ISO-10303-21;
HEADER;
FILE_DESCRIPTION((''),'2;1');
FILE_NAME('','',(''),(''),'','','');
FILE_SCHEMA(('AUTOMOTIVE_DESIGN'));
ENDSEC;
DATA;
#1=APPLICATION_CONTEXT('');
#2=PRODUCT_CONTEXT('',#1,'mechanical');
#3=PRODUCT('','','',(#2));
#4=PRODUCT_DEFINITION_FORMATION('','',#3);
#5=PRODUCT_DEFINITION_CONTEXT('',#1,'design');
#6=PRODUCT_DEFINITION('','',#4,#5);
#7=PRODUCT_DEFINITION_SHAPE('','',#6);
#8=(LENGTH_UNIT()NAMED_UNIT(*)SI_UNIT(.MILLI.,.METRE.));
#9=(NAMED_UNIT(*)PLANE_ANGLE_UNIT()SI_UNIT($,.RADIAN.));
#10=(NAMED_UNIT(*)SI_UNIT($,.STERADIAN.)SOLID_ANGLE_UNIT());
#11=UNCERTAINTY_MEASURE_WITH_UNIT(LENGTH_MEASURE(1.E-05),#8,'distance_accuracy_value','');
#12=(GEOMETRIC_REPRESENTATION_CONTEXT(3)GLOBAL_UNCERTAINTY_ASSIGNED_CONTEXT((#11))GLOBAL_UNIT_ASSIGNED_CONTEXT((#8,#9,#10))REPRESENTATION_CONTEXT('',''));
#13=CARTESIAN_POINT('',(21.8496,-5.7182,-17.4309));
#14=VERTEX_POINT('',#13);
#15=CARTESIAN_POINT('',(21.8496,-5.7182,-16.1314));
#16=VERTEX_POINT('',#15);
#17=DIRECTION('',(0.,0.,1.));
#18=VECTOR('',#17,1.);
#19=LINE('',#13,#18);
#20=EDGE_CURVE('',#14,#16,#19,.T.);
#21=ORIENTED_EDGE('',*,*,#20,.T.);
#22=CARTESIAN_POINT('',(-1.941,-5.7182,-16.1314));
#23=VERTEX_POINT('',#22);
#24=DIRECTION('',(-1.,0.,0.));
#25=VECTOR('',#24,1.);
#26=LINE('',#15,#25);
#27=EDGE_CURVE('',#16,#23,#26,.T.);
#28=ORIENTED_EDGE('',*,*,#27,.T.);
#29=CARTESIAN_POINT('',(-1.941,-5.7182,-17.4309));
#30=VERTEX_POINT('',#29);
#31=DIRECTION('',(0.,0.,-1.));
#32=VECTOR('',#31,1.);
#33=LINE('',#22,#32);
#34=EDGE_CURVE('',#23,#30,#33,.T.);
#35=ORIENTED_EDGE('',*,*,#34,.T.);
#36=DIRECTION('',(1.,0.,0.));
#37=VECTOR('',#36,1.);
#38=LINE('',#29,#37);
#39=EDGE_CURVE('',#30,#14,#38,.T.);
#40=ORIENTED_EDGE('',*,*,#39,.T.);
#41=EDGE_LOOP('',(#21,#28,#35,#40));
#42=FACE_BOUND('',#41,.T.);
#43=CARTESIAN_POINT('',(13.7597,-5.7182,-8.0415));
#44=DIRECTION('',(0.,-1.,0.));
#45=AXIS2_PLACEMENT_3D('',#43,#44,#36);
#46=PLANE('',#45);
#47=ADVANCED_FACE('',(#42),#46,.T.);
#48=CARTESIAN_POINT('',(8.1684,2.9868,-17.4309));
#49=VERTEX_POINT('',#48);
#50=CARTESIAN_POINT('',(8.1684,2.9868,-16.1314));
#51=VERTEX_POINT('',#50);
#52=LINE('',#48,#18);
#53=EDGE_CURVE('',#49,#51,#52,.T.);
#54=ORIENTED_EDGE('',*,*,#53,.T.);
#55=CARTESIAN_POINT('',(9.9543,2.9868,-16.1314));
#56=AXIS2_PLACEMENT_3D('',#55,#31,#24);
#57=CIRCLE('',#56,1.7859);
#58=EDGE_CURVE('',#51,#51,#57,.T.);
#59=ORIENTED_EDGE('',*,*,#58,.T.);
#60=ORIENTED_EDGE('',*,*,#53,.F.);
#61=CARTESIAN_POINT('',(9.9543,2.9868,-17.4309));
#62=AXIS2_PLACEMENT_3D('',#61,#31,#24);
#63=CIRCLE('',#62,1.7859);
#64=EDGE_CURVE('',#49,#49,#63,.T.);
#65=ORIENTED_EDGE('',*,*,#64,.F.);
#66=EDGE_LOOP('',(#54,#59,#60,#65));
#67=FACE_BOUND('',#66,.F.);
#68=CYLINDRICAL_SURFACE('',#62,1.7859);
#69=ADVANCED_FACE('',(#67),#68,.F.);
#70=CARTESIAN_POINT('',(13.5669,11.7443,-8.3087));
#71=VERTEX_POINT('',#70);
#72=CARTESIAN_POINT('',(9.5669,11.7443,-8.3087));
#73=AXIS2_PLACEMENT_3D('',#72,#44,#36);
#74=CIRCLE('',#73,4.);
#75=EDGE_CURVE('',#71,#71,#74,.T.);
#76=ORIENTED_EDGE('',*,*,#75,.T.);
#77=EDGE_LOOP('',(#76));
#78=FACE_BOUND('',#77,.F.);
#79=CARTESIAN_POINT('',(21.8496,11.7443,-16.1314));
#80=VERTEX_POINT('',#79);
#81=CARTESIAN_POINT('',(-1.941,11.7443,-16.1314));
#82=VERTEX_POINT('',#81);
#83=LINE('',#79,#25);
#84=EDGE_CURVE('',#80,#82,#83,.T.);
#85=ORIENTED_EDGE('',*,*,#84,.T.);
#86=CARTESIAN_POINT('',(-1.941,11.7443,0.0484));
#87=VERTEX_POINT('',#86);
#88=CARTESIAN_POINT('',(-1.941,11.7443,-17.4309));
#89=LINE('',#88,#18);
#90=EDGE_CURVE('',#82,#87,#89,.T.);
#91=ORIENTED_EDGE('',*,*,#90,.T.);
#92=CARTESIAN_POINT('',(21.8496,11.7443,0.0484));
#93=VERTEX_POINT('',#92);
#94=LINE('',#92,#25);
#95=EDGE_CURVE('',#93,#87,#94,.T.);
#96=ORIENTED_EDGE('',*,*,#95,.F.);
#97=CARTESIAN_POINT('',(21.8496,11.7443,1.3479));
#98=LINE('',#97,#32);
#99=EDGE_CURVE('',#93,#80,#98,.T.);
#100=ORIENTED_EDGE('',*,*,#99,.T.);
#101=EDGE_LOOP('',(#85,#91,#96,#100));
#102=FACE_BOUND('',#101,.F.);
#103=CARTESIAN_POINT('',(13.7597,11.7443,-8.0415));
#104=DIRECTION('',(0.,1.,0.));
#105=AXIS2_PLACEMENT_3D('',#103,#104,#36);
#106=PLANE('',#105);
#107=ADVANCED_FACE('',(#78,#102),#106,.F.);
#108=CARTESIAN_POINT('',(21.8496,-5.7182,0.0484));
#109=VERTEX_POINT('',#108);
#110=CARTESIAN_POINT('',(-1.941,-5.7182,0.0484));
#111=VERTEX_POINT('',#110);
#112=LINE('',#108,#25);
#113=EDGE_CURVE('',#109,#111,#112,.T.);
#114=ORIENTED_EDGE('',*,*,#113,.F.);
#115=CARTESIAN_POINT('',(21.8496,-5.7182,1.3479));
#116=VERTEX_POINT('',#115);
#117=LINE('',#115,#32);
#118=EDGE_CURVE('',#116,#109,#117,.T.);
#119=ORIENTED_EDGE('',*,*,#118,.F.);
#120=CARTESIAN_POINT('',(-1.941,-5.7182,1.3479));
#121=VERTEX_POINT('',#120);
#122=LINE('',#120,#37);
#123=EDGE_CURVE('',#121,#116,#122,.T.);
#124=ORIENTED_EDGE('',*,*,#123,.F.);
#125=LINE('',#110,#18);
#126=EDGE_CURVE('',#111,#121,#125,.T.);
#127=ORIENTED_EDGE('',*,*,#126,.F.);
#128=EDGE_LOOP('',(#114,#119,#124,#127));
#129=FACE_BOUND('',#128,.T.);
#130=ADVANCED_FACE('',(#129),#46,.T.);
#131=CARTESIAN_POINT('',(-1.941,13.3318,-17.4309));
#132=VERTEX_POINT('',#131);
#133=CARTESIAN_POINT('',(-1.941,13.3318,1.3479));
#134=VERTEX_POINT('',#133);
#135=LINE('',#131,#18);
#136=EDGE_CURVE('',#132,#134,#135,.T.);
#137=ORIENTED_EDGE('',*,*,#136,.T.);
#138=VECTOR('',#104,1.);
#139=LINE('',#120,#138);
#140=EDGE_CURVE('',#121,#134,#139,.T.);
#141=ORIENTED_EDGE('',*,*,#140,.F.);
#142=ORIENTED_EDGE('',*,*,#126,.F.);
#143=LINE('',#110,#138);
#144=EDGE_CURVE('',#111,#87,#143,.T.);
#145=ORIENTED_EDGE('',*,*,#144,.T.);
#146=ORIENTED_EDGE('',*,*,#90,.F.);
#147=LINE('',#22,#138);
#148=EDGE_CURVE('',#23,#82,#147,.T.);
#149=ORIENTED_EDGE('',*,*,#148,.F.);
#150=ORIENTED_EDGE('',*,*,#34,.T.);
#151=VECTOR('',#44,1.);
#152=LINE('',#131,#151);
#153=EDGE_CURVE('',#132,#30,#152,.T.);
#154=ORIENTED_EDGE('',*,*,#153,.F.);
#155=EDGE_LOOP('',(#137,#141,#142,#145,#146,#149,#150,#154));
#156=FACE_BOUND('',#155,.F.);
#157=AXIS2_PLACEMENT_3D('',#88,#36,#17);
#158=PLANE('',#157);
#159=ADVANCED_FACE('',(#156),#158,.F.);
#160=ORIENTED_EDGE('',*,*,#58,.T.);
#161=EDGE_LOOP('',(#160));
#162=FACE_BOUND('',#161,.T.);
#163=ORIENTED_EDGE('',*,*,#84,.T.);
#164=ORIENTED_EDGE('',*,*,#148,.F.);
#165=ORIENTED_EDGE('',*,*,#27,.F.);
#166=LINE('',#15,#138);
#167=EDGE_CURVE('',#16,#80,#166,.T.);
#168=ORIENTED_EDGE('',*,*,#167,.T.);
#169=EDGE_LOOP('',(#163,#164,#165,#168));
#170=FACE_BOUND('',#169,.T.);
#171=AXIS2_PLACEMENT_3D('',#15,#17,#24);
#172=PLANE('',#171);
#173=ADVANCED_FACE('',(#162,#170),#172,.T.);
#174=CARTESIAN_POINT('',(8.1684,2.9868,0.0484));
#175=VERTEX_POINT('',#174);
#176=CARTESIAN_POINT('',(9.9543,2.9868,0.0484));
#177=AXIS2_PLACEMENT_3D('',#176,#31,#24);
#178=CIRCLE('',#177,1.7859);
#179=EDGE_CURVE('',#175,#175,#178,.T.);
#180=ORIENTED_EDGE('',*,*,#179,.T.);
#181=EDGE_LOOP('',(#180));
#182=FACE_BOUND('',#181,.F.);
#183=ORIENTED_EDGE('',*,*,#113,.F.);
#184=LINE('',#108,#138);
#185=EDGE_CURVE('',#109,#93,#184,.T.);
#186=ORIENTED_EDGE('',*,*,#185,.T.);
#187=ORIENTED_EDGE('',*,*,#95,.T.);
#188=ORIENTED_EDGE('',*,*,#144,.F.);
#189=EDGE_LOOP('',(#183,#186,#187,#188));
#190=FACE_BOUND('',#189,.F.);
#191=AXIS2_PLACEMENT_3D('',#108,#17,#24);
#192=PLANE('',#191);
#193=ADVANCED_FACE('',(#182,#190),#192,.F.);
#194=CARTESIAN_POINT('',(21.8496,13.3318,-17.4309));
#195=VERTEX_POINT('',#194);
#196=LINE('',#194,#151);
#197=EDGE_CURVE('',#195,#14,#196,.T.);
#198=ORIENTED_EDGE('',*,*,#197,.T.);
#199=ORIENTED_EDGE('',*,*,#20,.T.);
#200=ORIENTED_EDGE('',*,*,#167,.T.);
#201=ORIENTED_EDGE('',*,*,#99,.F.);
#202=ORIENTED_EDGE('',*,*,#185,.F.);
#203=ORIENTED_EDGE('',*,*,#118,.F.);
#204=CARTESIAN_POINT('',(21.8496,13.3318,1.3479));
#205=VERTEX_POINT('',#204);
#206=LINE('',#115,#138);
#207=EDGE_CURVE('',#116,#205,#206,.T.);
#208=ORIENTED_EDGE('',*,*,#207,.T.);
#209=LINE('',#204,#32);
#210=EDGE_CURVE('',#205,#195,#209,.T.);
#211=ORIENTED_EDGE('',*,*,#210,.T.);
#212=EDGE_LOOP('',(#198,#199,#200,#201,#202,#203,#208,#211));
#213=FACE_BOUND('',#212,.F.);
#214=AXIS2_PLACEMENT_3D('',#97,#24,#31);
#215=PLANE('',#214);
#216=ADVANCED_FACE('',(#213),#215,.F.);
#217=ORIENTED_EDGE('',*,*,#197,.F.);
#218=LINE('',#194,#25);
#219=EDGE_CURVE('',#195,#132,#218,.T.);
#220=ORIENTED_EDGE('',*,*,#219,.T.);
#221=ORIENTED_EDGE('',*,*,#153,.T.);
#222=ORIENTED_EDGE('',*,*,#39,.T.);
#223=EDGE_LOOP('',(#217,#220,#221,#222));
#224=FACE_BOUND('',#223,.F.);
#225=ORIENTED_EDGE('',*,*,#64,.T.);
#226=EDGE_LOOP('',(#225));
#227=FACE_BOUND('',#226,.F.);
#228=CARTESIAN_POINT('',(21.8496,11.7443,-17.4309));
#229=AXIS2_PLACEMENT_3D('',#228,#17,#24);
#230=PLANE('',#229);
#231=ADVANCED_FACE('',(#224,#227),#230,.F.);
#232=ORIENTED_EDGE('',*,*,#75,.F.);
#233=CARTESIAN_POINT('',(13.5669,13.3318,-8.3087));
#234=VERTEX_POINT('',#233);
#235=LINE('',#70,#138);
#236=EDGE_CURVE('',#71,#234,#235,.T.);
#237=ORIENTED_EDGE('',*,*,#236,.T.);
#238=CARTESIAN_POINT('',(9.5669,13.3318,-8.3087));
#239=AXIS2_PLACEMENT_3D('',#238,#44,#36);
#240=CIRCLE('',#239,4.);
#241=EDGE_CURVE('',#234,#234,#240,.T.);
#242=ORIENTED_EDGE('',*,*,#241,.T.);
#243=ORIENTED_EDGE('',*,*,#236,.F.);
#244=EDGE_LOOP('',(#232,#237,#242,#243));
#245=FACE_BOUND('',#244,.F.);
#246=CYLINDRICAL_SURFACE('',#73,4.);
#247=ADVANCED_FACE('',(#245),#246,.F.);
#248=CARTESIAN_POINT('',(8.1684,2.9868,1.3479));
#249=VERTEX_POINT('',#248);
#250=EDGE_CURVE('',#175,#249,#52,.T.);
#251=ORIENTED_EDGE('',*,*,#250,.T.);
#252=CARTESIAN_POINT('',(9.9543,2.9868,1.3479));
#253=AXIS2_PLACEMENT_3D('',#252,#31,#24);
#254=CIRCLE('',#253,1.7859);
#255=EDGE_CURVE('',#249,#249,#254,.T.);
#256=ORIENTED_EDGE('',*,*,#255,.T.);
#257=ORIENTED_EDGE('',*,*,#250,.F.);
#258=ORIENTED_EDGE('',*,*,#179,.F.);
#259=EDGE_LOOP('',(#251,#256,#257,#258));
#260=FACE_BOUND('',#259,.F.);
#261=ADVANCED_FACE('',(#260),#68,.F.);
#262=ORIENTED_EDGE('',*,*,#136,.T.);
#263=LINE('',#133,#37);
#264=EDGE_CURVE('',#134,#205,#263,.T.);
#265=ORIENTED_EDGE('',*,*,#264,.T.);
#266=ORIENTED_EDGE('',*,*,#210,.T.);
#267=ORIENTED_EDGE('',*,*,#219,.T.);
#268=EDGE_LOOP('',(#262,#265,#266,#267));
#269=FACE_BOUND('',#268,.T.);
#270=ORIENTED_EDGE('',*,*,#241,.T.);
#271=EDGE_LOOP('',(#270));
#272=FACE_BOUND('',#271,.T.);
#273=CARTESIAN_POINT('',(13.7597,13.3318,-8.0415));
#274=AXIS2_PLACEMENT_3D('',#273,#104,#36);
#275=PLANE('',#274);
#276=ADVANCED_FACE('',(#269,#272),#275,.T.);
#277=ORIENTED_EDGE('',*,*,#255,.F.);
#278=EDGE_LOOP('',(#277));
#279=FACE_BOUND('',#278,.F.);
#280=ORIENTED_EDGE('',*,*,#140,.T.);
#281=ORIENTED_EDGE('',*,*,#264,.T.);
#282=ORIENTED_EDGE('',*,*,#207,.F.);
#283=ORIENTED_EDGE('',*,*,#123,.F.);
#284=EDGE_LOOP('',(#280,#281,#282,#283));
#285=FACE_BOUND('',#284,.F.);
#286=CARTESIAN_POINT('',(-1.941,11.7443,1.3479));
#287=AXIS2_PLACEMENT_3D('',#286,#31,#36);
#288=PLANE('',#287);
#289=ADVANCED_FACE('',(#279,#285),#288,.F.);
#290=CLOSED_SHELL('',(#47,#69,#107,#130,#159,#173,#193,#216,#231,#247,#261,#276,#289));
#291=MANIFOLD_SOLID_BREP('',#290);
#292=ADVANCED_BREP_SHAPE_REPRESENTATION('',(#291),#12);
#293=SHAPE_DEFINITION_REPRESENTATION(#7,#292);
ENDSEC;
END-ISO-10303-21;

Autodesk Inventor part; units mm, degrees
ref_plane "YZ Plane" through (0, 0, 0) normal (1, 0, 0) x (0, 1, 0)
ref_plane "XZ Plane" through (0, 0, 0) normal (0, 1, 0) x (-1, 0, 0)
ref_plane "XY Plane" through (0, 0, 0) normal (0, 0, 1) x (1, 0, 0)
ref_plane "Work Plane1" through (13.7597, -5.7182, -8.0415) normal (0, -1, 0) x (1, 0, 0)
sketch "Sketch1" plane through (13.7597, -5.7182, -8.0415) normal (0, -1, 0) x (1, 0, 0)
  line L0 (8.0899, -8.0899) -> (8.0899, 8.0899) construction
  line L1 (8.0899, 8.0899) -> (-8.0899, 8.0899) construction
  line L2 (-8.0899, 8.0899) -> (-8.0899, -8.0899) construction
  line L3 (-8.0899, -8.0899) -> (8.0899, -8.0899) construction
  line L4 (8.0899, 8.0899) -> (-15.7007, 8.0899)
  line L5 (-15.7007, 8.0899) -> (-15.7007, 9.3894)
  line L6 (-15.7007, 9.3894) -> (8.0899, 9.3894)
  line L7 (8.0899, 9.3894) -> (8.0899, 8.0899)
  line L8 (8.0899, -8.0899) -> (-15.7007, -8.0899)
  line L9 (-15.7007, -8.0899) -> (-15.7007, -9.3894)
  line L10 (-15.7007, -9.3894) -> (8.0899, -9.3894)
  line L11 (8.0899, -9.3894) -> (8.0899, -8.0899)
  point P0 (-13.7597, 8.0415)
extrude "Extrusion1" add sketch "Sketch1" against normal blind 17.4625
sketch "Sketch2" plane through (21.8496, -5.7182, -17.4309) normal (0, 0, -1) x (-1, 0, 0)
  circle A0 centre (11.8953, 8.705) radius 1.7859
  line L0 (23.6468, 17.41) -> (0, 0) construction
  line L1 (0, 0) -> (23.7906, 0) construction
  line L2 (23.7906, 0) -> (0, 17.41) construction
  point P0 (21.8496, 5.7182)
extrude "Extrusion2" cut sketch "Sketch2" against normal through all
sketch "Sketch3" plane through (13.7597, 11.7443, -8.0415) normal (0, 1, 0) x (1, 0, 0)
  line L0 (-15.7007, -9.3894) -> (8.0899, -9.3894) construction
  line L1 (-15.7007, -8.0899) -> (-15.7007, -9.3894) construction
  line L2 (8.0899, 9.3894) -> (-15.7007, 9.3894) construction
  line L3 (8.0899, 8.0899) -> (8.0899, 9.3894) construction
  line L4 (-15.7007, -9.3894) -> (8.0899, -9.3894)
  line L5 (8.0899, -9.3894) -> (8.0899, 9.3894)
  line L6 (8.0899, 9.3894) -> (-15.7007, 9.3894)
  line L7 (-15.7007, 9.3894) -> (-15.7007, -9.3894)
  point P0 (-13.7597, -8.0415)
extrude "Extrusion3" add sketch "Sketch3" along normal blind 1.5875
sketch "Sketch5" plane through (13.7597, 11.7443, -8.0415) normal (0, -1, 0) x (1, 0, 0)
  point P0 (-13.7597, 8.0415)
sketch "Sketch6" plane through (13.7597, 11.7443, -8.0415) normal (0, -1, 0) x (1, 0, 0)
  circle A0 centre (-4.1928, -0.2672) radius 4 projected
  point P0 (-13.7597, 8.0415)
extrude "Extrusion5" cut sketch "Sketch6" against normal through all
